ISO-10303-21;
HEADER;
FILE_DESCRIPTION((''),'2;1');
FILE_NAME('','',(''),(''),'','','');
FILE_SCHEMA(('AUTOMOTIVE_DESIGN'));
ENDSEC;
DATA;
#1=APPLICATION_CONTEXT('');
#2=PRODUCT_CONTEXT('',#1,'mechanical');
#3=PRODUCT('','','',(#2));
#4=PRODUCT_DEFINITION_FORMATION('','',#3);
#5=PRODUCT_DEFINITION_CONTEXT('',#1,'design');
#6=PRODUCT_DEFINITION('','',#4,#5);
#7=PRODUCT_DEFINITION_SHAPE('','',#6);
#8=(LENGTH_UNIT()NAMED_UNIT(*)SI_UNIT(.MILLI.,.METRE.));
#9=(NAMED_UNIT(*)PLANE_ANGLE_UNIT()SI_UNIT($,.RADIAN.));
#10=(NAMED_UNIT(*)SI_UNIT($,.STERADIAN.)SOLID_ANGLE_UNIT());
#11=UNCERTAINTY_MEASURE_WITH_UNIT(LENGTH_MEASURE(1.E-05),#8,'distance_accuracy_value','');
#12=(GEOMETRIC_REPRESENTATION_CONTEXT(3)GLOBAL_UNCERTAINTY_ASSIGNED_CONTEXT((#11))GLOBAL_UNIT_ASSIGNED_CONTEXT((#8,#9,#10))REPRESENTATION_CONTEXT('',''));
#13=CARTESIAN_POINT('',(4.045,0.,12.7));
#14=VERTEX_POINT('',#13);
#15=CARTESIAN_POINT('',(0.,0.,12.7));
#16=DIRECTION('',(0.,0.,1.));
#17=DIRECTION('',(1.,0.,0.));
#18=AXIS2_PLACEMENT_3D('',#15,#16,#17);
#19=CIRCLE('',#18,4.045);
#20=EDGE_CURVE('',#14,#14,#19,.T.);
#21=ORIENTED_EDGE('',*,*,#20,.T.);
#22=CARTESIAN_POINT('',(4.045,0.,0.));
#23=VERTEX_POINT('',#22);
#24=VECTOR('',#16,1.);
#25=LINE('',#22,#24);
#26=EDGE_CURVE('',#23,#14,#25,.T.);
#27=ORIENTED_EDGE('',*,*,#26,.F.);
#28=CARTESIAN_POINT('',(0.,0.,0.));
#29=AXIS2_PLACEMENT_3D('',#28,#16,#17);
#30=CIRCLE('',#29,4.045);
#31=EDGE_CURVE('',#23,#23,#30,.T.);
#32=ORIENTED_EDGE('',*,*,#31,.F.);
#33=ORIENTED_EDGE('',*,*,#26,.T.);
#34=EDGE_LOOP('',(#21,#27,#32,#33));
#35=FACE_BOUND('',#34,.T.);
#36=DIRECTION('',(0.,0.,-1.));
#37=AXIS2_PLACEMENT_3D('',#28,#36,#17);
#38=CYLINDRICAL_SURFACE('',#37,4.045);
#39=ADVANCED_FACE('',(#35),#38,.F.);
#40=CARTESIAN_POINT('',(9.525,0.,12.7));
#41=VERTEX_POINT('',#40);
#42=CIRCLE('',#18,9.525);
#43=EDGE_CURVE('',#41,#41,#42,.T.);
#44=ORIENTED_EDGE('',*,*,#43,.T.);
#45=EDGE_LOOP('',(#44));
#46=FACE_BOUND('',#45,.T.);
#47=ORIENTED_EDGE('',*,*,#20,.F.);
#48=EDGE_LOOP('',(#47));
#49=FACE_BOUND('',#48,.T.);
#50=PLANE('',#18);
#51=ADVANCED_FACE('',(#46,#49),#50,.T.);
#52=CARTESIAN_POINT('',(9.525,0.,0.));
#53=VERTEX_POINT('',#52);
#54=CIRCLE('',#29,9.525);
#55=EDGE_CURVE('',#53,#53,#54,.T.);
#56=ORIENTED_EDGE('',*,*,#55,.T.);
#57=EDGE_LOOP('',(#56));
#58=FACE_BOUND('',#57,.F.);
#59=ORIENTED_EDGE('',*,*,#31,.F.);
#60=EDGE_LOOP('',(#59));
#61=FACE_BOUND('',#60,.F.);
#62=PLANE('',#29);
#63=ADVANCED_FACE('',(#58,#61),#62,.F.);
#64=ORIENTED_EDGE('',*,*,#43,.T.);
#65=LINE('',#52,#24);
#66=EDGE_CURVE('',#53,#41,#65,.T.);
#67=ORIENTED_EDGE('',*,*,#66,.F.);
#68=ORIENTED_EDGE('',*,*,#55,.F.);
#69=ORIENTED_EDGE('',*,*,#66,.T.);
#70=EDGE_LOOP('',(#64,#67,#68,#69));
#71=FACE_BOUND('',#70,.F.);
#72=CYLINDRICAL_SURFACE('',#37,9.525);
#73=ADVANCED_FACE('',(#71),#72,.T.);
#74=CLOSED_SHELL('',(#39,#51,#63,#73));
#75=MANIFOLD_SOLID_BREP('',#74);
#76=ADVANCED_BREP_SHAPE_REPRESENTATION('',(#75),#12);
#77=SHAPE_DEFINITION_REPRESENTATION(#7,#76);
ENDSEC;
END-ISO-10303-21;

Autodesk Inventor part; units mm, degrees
ref_plane "YZ Plane" through (0, 0, 0) normal (1, 0, 0) x (0, 1, 0)
ref_plane "XZ Plane" through (0, 0, 0) normal (0, 1, 0) x (-1, 0, 0)
ref_plane "XY Plane" through (0, 0, 0) normal (0, 0, 1) x (1, 0, 0)
sketch "Sketch1" plane through (0, 0, 0) normal (0, 0, 1) x (1, 0, 0)
  circle A0 centre (0, 0) radius 4.045
  circle A1 centre (0, 0) radius 9.525
  dimension "d0" = 8.0899
  dimension "d1" = 19.05
extrude "Extrusion1" add sketch "Sketch1" along normal blind 12.7
properties part number "SPACER,ROCKER,ELEVATOR" material "Nylon 6/6"
